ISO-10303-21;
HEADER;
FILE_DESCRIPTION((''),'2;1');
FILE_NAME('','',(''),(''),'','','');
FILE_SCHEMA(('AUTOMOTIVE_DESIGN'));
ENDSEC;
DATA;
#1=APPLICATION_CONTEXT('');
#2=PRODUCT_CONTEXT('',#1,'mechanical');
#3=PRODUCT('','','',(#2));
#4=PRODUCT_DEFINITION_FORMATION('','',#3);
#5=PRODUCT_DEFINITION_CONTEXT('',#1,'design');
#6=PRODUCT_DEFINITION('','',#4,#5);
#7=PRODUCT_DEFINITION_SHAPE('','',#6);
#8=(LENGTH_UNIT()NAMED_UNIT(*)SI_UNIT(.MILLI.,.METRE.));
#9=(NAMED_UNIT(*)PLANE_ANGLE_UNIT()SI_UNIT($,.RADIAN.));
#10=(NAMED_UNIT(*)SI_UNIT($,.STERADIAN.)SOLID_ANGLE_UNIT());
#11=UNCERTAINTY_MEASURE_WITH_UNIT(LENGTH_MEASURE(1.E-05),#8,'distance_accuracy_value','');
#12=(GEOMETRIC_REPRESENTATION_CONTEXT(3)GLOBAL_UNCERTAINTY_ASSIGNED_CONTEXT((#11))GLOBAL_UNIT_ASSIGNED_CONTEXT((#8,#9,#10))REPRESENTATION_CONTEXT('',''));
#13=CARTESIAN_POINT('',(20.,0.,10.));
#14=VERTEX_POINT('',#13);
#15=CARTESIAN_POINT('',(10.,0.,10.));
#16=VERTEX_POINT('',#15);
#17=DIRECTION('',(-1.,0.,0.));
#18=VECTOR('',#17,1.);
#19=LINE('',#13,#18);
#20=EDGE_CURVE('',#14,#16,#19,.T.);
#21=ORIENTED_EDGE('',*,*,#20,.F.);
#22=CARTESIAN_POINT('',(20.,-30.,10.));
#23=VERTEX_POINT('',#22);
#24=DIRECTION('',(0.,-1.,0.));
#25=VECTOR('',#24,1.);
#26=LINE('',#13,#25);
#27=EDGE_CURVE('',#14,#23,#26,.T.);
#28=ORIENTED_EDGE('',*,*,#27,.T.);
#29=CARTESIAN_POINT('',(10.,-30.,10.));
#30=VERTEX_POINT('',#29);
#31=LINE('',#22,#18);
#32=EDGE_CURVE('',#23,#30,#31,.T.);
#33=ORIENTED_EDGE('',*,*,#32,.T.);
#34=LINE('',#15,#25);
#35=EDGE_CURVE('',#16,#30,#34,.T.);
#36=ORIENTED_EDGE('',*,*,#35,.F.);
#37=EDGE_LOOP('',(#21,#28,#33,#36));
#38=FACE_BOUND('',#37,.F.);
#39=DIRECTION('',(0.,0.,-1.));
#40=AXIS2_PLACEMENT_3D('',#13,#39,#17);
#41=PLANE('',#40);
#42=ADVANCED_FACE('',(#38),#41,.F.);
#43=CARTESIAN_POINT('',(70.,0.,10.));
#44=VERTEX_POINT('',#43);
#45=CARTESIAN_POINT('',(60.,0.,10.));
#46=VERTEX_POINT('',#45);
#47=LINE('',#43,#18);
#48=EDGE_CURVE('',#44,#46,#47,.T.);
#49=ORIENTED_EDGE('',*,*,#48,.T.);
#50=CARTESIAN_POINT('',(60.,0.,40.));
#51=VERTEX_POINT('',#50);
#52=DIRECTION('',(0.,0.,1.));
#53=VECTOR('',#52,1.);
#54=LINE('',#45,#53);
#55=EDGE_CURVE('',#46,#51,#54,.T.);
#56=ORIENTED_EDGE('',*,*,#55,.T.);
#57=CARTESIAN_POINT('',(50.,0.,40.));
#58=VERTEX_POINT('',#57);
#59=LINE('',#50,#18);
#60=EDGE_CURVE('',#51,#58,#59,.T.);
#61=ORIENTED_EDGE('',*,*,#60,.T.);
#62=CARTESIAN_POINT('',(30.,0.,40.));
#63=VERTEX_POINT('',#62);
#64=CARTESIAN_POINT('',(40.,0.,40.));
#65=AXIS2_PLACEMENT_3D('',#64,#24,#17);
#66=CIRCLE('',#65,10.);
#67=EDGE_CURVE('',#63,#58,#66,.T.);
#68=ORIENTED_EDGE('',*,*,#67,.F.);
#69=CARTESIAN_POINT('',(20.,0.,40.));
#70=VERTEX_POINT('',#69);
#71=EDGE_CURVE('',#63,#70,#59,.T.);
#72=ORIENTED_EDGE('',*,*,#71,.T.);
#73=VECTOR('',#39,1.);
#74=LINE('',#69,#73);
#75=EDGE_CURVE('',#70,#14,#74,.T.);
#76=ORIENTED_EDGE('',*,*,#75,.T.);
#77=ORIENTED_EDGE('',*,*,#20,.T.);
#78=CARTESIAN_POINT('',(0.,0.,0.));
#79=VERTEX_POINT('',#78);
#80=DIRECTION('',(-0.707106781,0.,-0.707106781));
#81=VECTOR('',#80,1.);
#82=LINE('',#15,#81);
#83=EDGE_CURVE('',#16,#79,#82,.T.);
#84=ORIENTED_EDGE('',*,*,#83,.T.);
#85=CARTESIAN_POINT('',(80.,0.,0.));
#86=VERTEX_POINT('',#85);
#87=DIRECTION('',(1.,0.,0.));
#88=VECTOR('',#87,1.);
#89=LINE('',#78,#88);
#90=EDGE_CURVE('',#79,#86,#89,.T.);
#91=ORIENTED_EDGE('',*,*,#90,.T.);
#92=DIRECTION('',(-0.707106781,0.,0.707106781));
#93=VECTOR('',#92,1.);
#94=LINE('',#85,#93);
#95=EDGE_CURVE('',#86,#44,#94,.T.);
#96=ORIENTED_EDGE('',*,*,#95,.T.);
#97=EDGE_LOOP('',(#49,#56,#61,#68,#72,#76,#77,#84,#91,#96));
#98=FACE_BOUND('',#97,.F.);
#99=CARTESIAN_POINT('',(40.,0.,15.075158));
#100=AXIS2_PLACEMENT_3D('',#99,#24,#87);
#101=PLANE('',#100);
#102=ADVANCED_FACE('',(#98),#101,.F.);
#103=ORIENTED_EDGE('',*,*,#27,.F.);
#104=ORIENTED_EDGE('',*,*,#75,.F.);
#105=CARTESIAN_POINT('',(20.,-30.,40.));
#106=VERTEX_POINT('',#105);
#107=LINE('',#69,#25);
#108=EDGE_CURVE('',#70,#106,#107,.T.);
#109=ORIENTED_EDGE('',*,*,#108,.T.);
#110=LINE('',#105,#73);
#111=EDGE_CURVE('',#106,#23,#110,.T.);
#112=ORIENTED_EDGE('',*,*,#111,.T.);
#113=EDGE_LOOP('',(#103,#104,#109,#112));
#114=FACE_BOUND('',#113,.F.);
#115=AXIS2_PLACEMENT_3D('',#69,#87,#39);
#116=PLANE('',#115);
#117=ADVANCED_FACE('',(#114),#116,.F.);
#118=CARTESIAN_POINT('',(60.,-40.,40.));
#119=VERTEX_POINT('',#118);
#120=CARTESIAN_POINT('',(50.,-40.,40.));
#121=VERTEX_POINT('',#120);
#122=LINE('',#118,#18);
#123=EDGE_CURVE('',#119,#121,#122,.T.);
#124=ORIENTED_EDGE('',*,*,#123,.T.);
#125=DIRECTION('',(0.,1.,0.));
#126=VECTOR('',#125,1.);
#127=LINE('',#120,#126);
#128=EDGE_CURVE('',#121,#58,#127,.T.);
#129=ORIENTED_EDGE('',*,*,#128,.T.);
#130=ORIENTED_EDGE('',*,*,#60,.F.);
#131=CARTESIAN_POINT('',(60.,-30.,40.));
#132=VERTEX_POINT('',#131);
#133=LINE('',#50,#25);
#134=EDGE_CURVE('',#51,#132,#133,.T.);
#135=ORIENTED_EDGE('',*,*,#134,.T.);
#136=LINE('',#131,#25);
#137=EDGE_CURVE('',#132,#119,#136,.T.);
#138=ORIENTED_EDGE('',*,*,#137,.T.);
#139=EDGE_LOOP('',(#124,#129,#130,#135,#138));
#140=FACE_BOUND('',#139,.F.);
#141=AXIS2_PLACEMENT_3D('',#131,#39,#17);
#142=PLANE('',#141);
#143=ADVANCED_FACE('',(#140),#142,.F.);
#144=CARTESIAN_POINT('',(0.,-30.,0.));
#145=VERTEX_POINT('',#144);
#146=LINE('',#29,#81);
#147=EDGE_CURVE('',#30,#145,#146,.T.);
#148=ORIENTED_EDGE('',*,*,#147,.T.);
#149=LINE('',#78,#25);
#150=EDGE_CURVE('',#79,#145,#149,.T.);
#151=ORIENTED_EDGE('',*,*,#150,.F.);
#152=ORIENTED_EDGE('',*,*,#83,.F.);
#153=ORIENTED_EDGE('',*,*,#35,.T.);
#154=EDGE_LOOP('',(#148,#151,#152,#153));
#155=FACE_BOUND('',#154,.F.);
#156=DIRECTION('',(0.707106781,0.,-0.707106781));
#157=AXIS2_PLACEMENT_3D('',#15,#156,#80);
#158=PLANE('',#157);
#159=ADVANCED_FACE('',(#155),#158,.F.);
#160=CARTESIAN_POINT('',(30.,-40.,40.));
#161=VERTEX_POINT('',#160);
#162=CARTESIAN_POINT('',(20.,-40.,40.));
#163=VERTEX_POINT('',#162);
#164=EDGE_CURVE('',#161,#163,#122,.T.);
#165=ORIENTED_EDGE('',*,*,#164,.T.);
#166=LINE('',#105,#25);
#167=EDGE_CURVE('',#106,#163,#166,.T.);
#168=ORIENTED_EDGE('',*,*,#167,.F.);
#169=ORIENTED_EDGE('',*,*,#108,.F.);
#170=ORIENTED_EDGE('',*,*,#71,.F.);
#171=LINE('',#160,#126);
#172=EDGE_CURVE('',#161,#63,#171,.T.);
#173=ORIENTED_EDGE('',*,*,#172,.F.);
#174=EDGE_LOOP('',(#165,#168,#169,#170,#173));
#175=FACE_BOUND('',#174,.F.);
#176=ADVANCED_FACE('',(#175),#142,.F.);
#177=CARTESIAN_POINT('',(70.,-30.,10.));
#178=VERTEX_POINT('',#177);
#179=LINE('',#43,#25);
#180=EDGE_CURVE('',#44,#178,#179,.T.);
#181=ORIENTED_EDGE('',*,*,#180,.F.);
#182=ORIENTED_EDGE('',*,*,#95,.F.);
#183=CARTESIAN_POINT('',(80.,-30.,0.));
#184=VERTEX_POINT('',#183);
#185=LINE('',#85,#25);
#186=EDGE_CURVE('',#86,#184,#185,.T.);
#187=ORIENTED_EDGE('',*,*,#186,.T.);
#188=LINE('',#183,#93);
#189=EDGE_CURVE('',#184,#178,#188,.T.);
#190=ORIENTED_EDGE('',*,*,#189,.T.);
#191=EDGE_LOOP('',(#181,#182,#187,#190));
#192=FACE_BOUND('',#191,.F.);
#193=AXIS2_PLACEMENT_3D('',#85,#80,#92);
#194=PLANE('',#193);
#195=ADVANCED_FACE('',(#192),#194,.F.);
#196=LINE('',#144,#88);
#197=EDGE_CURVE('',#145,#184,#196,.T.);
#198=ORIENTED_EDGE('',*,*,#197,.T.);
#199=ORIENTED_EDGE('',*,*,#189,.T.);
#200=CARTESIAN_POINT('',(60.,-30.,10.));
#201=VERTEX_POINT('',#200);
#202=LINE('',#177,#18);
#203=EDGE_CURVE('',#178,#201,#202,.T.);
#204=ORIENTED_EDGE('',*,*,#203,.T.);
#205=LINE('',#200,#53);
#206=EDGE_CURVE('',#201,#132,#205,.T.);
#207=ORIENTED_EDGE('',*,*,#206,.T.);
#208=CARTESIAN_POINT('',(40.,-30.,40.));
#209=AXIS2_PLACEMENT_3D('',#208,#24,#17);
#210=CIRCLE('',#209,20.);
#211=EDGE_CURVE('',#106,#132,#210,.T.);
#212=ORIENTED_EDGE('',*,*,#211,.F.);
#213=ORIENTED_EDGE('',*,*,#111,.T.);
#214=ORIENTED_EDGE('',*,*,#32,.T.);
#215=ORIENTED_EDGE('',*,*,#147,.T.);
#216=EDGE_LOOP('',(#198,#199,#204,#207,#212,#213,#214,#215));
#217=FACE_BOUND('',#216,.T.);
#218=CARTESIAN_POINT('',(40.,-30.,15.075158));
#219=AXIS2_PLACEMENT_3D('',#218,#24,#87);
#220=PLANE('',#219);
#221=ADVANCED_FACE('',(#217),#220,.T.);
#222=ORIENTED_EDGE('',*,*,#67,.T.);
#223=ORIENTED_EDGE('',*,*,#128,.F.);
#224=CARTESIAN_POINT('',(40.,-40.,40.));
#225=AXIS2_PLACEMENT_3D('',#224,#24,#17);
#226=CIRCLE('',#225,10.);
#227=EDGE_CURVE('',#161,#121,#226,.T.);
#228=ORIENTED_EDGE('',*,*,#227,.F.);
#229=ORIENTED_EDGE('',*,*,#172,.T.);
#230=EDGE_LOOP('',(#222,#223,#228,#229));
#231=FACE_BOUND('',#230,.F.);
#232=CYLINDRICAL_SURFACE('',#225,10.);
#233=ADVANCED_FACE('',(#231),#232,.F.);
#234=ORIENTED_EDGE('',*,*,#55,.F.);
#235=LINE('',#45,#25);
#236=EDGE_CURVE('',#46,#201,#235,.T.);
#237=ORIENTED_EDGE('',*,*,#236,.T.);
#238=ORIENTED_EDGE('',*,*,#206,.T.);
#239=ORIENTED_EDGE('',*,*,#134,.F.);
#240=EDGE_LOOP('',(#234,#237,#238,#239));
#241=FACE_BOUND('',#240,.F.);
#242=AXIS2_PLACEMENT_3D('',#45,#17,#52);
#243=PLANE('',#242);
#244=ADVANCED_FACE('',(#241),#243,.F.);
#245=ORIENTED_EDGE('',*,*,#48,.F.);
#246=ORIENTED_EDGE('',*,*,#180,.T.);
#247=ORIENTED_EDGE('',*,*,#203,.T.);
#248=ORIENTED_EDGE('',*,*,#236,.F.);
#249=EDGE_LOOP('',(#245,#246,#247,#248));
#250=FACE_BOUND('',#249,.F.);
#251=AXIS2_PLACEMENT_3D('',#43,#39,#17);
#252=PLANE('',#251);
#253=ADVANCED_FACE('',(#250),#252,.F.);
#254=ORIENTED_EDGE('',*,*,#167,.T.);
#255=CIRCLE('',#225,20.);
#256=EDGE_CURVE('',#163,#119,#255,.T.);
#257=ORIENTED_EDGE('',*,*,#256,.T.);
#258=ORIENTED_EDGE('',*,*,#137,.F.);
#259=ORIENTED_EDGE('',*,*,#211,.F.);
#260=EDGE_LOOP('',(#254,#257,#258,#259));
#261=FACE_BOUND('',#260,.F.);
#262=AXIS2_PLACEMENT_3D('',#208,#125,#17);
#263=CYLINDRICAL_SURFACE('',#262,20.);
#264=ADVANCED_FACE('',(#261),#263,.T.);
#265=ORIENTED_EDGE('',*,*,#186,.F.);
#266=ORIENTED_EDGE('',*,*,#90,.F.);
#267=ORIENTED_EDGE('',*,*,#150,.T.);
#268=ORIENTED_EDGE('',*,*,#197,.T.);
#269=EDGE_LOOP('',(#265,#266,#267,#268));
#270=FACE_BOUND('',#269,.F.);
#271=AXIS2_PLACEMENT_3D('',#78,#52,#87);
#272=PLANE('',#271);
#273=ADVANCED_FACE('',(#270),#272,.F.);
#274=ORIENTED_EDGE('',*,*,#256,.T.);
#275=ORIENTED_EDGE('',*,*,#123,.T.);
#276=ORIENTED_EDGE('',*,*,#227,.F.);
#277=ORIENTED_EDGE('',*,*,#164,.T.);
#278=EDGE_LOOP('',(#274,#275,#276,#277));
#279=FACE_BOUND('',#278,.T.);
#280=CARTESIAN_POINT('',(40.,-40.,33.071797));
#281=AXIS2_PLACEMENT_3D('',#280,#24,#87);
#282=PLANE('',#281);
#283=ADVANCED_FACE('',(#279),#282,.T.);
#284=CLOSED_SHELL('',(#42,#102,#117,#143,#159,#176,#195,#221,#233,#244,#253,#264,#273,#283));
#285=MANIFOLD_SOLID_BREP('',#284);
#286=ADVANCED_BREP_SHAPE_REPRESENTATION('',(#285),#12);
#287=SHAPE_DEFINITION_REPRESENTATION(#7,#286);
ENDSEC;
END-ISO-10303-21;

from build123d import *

# Parameters (mm, degrees)
F1_DEPTH = 30
F3_DEPTH = 10
F5_DEPTH = 43.3


with BuildPart() as f1:
    # F0 (on Front) → F1 (new body)
    with BuildSketch(Plane.XZ):
        Polygon((10, 10), (0, 0), (80, 0), (70, 10), (60, 10), (60, 40), (20, 40), (20, 10), align=None)
    extrude(amount=F1_DEPTH)

    # F2 (on face) → F3 (join)
    with BuildSketch(Plane.XZ.offset(30)):
        with BuildLine():
            Line((60, 40), (20, 40))
            ThreePointArc((20, 40), (40, 20), (60, 40))
        make_face()
    extrude(amount=F3_DEPTH)

    # F4 (on face) → F5 (cut)
    with BuildSketch(Plane.XZ.offset(40)):
        with BuildLine():
            ThreePointArc((30, 40), (40, 30), (50, 40))
            Line((50, 40), (30, 40))
        make_face()
    extrude(amount=-F5_DEPTH, mode=Mode.SUBTRACT)


solid = f1.part
